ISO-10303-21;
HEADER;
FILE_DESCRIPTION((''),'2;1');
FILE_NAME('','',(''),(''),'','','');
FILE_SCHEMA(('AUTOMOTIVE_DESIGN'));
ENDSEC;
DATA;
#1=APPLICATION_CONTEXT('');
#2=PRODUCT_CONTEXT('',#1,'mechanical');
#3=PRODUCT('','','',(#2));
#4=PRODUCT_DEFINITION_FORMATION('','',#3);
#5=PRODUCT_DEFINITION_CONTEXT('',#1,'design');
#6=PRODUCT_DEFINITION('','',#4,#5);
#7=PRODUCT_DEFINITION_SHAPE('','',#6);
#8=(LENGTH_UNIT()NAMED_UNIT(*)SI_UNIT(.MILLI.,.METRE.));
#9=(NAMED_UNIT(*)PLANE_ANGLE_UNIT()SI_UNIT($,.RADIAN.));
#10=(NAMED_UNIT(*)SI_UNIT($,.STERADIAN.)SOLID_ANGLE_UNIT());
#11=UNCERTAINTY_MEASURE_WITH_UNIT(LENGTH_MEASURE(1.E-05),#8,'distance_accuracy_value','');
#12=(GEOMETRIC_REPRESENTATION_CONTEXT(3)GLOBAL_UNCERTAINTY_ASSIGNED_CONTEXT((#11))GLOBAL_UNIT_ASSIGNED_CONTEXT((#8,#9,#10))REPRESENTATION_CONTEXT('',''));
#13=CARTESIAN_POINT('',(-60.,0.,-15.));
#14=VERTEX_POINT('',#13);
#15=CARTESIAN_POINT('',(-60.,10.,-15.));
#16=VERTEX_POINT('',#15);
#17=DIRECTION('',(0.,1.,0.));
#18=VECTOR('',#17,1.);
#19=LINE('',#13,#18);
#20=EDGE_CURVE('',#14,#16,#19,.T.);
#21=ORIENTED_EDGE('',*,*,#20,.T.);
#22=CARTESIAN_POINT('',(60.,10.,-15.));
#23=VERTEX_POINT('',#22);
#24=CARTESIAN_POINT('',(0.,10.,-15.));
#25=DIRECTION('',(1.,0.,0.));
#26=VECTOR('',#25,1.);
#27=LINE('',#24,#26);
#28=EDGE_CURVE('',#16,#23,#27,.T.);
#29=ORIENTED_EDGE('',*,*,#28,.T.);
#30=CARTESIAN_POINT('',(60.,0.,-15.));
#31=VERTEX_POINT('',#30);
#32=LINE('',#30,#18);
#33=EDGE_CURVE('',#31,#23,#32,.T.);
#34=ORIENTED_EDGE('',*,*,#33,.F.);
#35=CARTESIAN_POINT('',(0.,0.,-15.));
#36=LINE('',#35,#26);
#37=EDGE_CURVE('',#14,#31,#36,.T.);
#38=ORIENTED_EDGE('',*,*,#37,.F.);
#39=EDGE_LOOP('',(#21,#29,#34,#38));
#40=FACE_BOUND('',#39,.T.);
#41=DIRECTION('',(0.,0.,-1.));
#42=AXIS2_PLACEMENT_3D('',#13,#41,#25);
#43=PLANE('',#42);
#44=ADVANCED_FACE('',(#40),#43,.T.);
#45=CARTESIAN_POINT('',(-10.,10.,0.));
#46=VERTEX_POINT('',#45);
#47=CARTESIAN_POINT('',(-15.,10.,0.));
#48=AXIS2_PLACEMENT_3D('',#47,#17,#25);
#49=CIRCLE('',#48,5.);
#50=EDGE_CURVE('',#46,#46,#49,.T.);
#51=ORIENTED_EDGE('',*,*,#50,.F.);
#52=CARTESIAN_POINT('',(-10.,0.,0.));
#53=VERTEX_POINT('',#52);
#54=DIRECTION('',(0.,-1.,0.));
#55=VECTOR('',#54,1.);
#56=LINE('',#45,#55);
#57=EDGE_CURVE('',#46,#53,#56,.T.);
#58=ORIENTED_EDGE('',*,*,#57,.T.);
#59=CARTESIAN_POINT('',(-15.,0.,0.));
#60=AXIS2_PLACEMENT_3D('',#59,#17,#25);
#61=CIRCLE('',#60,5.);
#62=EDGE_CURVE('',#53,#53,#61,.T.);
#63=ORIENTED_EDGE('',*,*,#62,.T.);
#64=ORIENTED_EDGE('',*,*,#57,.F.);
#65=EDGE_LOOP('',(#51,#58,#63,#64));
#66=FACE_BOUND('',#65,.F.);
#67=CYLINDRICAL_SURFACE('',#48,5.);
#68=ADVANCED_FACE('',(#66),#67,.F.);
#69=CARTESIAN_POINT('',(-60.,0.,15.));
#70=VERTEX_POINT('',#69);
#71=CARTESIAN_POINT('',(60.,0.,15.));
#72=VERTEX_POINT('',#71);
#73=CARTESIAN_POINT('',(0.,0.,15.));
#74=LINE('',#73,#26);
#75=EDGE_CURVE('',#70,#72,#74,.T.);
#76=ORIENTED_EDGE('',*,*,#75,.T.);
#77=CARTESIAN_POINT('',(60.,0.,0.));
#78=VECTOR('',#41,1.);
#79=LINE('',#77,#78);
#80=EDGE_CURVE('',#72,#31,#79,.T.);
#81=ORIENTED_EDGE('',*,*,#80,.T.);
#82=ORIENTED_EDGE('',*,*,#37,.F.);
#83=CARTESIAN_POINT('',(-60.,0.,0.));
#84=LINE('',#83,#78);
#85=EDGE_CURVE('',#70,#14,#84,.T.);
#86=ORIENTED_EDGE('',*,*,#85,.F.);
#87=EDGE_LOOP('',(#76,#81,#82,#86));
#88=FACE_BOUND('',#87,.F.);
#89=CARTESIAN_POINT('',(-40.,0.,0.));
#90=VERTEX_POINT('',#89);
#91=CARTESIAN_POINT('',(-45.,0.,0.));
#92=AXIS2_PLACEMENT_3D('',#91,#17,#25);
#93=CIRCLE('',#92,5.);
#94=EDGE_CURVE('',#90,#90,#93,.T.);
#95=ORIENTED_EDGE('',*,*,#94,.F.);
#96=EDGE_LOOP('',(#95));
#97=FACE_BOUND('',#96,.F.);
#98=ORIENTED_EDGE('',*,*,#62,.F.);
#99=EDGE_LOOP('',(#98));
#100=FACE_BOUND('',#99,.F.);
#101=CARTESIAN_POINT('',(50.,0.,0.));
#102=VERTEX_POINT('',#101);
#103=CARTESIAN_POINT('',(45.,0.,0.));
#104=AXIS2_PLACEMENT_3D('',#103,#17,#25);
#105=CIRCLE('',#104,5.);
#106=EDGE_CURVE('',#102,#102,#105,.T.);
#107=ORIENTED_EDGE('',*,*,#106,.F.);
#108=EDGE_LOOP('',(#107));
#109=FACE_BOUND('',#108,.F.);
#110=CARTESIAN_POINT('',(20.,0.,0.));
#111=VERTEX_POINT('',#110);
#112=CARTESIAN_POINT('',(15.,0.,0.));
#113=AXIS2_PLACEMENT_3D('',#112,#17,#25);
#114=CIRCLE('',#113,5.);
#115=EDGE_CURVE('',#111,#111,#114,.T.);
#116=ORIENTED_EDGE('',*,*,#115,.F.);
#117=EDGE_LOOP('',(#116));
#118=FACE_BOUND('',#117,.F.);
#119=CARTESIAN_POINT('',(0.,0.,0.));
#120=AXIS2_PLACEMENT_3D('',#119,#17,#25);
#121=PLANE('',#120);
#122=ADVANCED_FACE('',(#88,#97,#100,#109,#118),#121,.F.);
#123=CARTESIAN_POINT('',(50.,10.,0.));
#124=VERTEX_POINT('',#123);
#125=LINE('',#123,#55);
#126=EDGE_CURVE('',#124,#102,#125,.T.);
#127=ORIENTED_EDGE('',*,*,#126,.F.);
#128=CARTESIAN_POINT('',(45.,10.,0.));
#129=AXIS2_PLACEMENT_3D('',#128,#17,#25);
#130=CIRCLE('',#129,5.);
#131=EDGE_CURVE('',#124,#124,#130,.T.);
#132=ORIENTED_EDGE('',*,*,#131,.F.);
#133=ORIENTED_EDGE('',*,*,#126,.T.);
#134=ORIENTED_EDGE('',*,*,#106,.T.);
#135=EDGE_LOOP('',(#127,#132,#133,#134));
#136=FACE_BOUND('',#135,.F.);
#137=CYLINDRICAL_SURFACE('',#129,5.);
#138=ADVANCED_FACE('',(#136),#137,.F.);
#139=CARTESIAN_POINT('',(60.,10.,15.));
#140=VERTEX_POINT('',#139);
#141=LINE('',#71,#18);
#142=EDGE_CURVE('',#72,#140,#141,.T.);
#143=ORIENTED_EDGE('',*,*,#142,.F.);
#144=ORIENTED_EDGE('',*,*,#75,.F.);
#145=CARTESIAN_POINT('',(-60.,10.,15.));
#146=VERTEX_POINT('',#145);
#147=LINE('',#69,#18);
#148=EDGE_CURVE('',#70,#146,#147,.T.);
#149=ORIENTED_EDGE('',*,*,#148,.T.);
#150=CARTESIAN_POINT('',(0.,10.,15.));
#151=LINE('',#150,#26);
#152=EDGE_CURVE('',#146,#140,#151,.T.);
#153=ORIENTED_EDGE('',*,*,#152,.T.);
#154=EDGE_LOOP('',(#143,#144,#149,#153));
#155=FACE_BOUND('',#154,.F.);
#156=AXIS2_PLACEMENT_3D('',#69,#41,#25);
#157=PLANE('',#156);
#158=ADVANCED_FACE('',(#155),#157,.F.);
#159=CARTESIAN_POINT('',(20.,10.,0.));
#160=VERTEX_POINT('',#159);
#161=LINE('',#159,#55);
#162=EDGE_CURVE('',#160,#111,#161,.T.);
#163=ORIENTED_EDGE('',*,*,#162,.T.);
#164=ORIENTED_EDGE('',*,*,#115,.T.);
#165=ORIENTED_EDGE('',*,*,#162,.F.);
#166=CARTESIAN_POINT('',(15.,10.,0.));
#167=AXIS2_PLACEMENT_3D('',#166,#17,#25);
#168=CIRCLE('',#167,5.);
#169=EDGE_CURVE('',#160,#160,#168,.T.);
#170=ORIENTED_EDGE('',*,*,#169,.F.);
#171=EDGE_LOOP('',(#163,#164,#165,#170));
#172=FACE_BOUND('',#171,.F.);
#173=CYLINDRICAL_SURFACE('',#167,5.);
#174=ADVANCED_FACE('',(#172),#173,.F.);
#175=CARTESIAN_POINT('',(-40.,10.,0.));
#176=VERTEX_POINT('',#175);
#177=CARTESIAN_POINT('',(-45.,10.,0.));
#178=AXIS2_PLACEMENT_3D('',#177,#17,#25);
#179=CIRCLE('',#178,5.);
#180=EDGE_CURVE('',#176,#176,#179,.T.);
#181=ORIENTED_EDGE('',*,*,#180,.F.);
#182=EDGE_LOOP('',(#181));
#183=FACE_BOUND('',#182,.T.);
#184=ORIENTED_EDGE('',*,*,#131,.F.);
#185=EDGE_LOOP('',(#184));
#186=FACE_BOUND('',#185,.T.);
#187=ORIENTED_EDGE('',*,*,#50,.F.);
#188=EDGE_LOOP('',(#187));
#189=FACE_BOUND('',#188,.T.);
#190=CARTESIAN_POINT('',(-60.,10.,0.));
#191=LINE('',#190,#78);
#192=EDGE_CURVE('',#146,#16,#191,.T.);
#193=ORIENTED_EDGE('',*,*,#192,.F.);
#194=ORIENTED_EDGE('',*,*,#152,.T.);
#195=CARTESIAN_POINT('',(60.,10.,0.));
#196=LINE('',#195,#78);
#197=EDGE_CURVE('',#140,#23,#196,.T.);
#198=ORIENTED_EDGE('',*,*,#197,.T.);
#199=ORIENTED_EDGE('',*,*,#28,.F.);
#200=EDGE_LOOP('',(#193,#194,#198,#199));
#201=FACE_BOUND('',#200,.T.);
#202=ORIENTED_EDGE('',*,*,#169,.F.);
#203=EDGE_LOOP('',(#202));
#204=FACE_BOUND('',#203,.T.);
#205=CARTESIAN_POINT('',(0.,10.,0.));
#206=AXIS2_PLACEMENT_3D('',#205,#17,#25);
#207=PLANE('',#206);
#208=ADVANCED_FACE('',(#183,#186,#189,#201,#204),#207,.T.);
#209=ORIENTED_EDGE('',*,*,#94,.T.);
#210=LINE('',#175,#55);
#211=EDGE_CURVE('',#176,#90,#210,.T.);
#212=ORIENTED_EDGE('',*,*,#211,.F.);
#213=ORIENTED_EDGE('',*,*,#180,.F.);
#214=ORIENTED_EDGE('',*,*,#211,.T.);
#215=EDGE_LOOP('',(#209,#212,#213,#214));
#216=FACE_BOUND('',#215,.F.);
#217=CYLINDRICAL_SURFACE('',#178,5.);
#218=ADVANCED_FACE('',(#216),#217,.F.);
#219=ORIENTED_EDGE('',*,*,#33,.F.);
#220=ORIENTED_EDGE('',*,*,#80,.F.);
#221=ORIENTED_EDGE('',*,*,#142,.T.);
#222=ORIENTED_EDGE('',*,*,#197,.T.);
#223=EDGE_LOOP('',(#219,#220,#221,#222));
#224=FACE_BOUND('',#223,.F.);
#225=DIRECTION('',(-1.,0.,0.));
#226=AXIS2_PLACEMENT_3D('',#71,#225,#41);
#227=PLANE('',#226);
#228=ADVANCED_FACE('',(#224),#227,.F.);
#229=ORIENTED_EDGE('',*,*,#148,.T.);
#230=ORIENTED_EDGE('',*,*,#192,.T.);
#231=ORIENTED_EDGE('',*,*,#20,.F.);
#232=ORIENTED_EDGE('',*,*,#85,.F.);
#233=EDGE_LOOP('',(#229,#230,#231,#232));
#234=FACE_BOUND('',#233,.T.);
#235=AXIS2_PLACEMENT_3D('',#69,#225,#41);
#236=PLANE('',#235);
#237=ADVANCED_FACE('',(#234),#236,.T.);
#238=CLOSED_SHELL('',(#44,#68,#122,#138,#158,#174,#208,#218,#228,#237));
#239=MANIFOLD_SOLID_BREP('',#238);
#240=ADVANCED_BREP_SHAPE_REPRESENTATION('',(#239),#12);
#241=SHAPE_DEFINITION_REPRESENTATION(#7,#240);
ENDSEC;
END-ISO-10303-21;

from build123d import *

# Parameters (mm, degrees)
SKETCH1_W           = 120
SKETCH1_H           = 30
BOSS_EXTRUDE1_DEPTH = 10
SKETCH3_R           = 5
CUT_EXTRUDE1_DEPTH  = 11


with BuildPart() as part:
    # Sketch1 → Boss-Extrude1 (new body)
    with BuildSketch(Plane(origin=(0, 0, 0), x_dir=(1, 0, 0), z_dir=(0, 1, 0))):
        Rectangle(SKETCH1_W, SKETCH1_H)
    extrude(amount=BOSS_EXTRUDE1_DEPTH)

    # Sketch3 → Cut-Extrude1 (cut, through all)
    with BuildSketch(Plane(origin=(0, 10, 0), x_dir=(1, 0, 0), z_dir=(0, 1, 0))):
        with Locations((-45, 0)):
            Circle(SKETCH3_R)
        with Locations((-15, 0)):
            Circle(SKETCH3_R)
        with Locations((15, 0)):
            Circle(SKETCH3_R)
        with Locations((45, 0)):
            Circle(SKETCH3_R)
    extrude(amount=-CUT_EXTRUDE1_DEPTH, mode=Mode.SUBTRACT)


solid = part.part
